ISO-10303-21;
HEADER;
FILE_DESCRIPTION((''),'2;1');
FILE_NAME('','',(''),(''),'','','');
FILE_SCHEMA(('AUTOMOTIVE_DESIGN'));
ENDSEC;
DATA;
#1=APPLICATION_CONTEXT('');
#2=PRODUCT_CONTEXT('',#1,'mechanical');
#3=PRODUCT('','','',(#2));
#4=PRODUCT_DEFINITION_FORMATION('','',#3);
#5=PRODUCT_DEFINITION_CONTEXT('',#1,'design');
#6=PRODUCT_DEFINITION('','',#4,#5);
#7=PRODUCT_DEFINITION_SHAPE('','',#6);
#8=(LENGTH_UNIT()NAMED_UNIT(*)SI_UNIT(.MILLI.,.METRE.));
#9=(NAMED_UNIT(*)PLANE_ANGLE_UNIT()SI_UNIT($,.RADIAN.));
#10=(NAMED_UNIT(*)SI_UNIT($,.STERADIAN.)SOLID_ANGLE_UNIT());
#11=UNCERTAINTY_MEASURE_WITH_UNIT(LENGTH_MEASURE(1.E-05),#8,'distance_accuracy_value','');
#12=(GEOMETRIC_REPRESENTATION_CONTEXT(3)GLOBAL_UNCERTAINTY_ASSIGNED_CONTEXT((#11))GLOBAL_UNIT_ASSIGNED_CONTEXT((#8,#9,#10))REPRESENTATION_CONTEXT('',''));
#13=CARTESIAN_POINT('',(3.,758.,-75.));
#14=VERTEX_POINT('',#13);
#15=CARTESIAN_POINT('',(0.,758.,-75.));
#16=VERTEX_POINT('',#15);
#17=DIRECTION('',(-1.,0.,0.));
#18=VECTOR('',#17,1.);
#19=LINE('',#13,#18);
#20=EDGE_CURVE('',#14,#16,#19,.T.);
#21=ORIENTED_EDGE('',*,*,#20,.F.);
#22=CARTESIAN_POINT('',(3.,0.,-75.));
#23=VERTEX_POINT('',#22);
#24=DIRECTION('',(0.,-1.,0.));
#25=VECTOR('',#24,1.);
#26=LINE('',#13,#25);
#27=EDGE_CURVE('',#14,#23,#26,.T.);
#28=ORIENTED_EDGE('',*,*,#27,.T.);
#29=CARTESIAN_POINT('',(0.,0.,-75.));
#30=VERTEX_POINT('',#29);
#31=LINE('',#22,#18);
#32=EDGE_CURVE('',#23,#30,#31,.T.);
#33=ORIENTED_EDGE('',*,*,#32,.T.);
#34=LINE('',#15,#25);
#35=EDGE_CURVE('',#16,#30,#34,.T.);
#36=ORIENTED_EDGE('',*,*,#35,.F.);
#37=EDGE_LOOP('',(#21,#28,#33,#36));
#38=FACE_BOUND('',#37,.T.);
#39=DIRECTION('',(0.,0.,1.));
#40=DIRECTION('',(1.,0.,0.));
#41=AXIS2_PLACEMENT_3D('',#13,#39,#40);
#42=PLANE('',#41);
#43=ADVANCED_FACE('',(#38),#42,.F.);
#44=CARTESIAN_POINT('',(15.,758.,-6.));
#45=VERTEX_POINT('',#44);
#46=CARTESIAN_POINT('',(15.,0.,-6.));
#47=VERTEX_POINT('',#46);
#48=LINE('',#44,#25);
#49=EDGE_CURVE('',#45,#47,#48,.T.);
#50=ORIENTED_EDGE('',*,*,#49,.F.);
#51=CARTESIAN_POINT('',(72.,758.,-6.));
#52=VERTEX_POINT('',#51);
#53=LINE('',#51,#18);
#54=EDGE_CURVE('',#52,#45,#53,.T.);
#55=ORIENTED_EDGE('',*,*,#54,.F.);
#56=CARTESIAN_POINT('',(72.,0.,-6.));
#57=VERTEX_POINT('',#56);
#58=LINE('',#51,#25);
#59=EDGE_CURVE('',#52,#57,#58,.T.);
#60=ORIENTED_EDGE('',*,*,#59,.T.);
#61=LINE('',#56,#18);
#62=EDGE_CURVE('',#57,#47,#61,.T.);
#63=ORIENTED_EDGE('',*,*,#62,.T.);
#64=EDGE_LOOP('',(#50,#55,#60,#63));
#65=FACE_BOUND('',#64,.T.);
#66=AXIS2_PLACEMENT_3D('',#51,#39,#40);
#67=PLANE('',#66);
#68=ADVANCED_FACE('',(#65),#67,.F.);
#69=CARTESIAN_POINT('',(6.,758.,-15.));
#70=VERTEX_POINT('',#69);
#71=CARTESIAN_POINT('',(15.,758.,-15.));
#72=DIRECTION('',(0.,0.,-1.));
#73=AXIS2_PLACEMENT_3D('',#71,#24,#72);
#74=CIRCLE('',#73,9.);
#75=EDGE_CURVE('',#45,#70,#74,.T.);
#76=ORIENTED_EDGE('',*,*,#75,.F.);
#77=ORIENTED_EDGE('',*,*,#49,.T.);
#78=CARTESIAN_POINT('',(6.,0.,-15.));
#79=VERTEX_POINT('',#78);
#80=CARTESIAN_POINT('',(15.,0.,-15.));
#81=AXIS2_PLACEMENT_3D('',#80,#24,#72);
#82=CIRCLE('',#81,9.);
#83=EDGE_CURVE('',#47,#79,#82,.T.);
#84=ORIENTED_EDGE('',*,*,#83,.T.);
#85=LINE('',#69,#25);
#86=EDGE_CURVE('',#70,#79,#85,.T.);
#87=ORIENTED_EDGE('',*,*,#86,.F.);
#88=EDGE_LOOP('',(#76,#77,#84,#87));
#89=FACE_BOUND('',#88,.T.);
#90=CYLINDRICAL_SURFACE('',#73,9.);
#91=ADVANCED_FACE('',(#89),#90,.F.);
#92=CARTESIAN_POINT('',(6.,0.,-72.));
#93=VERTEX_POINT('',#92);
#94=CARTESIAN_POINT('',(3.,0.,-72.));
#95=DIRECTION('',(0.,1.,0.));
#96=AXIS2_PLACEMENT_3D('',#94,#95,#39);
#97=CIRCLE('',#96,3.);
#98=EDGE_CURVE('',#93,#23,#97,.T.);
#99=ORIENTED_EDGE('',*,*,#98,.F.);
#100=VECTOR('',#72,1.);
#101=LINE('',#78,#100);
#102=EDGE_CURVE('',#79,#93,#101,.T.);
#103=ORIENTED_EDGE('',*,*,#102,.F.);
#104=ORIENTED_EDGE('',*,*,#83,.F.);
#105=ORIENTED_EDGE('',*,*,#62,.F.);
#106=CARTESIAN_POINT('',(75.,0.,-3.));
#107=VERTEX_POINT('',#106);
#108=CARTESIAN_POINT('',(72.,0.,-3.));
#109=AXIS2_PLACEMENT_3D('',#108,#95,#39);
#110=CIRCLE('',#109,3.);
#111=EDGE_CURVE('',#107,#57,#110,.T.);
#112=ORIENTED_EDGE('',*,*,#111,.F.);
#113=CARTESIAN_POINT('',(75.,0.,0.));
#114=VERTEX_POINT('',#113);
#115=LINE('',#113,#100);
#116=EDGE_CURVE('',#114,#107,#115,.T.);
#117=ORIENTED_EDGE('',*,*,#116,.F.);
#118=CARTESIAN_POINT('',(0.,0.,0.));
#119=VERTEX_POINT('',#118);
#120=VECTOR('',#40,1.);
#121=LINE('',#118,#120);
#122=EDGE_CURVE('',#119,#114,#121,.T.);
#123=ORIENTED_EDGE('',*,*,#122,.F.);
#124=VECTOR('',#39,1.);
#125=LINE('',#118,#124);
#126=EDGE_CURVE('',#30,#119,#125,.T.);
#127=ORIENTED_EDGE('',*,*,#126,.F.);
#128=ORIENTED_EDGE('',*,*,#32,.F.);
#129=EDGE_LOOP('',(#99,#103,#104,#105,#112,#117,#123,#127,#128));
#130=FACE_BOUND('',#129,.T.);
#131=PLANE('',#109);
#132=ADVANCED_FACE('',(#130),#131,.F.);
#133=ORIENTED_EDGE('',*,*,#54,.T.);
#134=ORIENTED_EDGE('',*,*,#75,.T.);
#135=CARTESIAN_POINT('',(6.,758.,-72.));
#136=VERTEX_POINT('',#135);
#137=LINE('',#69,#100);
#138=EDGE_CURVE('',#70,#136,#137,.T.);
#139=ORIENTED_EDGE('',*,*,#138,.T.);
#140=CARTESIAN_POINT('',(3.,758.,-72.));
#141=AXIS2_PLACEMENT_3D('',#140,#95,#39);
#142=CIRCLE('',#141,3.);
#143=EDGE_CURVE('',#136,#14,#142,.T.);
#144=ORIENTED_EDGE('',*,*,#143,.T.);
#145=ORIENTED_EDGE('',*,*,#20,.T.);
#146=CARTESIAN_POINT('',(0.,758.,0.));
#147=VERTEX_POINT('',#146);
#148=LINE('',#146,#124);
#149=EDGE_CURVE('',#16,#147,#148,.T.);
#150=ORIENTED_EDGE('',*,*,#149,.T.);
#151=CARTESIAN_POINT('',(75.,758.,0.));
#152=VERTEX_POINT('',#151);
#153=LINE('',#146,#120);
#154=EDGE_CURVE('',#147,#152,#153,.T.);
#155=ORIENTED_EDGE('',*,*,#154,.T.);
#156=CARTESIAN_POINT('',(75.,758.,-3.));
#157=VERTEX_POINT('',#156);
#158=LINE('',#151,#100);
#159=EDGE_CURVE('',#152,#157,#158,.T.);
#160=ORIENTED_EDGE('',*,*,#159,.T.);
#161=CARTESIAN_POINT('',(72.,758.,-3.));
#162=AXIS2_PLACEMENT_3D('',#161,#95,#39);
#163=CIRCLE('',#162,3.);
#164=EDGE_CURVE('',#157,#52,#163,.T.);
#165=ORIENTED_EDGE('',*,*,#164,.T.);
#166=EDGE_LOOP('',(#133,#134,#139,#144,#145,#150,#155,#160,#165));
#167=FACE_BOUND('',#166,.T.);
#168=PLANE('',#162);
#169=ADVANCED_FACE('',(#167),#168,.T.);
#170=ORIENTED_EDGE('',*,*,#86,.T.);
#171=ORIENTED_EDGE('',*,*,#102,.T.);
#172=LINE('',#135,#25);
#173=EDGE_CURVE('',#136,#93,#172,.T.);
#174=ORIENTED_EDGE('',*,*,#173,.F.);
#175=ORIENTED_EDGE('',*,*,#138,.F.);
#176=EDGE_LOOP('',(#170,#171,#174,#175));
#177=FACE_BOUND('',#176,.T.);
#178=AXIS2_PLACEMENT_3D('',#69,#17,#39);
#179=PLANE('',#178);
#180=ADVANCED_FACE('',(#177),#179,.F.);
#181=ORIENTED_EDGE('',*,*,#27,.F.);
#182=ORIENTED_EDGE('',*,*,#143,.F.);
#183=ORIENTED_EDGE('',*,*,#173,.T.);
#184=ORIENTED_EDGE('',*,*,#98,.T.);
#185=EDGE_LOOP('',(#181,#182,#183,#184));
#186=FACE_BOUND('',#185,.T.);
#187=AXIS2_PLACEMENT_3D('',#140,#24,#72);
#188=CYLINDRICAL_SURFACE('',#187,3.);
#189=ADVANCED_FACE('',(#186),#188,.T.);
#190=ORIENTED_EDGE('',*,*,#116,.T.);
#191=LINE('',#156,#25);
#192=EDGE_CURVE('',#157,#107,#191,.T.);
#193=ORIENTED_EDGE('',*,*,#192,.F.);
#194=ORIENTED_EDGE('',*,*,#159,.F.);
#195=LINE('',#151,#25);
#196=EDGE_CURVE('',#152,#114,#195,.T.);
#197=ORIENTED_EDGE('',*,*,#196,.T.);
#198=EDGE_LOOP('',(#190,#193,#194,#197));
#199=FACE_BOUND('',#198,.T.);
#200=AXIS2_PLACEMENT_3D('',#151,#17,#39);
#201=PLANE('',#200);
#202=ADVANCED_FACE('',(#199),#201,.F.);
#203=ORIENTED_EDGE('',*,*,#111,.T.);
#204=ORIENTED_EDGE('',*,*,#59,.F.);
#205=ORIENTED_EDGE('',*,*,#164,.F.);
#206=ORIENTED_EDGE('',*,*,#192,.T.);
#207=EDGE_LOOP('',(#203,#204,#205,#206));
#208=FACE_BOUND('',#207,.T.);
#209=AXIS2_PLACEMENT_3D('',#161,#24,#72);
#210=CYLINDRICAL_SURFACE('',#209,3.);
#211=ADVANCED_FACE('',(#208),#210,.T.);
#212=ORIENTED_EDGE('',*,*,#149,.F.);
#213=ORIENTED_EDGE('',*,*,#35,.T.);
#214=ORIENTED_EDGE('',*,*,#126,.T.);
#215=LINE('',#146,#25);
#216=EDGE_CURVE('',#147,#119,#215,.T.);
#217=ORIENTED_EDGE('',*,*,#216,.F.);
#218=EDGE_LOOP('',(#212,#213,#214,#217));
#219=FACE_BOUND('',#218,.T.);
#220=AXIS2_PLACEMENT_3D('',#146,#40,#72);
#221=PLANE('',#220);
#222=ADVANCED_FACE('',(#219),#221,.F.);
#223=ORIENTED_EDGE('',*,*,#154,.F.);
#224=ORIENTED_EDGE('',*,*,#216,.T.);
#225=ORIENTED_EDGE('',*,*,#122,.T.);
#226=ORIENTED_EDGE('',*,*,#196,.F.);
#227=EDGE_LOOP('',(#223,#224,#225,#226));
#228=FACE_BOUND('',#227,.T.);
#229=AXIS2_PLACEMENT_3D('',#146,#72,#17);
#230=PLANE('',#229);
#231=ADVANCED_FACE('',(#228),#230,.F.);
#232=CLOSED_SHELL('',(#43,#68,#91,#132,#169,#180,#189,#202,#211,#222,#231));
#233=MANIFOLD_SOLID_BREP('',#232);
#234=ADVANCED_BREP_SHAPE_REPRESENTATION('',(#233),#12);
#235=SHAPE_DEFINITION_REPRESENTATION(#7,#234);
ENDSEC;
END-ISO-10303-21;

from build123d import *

# Parameters (mm, degrees)
EXTRUDE_1_DEPTH = 758


with BuildPart() as part:
    # Эскиз1 → Бобышка-Вытянуть1 (new body)
    with BuildSketch(Plane(origin=(0, 0, 0), x_dir=(1, 0, 0), z_dir=(0, 1, 0))):
        with BuildLine():
            Line((0, 0), (0, 75))
            Line((0, 75), (3, 75))
            ThreePointArc((3, 75), (5.121320344, 74.121320344), (6, 72))
            Line((6, 72), (6, 15))
            ThreePointArc((6, 15), (8.636038969, 8.636038969), (15, 6))
            Line((15, 6), (72, 6))
            ThreePointArc((72, 6), (74.121320344, 5.121320344), (75, 3))
            Line((75, 3), (75, 0))
            Line((75, 0), (0, 0))
        make_face()
    extrude(amount=EXTRUDE_1_DEPTH)


solid = part.part
